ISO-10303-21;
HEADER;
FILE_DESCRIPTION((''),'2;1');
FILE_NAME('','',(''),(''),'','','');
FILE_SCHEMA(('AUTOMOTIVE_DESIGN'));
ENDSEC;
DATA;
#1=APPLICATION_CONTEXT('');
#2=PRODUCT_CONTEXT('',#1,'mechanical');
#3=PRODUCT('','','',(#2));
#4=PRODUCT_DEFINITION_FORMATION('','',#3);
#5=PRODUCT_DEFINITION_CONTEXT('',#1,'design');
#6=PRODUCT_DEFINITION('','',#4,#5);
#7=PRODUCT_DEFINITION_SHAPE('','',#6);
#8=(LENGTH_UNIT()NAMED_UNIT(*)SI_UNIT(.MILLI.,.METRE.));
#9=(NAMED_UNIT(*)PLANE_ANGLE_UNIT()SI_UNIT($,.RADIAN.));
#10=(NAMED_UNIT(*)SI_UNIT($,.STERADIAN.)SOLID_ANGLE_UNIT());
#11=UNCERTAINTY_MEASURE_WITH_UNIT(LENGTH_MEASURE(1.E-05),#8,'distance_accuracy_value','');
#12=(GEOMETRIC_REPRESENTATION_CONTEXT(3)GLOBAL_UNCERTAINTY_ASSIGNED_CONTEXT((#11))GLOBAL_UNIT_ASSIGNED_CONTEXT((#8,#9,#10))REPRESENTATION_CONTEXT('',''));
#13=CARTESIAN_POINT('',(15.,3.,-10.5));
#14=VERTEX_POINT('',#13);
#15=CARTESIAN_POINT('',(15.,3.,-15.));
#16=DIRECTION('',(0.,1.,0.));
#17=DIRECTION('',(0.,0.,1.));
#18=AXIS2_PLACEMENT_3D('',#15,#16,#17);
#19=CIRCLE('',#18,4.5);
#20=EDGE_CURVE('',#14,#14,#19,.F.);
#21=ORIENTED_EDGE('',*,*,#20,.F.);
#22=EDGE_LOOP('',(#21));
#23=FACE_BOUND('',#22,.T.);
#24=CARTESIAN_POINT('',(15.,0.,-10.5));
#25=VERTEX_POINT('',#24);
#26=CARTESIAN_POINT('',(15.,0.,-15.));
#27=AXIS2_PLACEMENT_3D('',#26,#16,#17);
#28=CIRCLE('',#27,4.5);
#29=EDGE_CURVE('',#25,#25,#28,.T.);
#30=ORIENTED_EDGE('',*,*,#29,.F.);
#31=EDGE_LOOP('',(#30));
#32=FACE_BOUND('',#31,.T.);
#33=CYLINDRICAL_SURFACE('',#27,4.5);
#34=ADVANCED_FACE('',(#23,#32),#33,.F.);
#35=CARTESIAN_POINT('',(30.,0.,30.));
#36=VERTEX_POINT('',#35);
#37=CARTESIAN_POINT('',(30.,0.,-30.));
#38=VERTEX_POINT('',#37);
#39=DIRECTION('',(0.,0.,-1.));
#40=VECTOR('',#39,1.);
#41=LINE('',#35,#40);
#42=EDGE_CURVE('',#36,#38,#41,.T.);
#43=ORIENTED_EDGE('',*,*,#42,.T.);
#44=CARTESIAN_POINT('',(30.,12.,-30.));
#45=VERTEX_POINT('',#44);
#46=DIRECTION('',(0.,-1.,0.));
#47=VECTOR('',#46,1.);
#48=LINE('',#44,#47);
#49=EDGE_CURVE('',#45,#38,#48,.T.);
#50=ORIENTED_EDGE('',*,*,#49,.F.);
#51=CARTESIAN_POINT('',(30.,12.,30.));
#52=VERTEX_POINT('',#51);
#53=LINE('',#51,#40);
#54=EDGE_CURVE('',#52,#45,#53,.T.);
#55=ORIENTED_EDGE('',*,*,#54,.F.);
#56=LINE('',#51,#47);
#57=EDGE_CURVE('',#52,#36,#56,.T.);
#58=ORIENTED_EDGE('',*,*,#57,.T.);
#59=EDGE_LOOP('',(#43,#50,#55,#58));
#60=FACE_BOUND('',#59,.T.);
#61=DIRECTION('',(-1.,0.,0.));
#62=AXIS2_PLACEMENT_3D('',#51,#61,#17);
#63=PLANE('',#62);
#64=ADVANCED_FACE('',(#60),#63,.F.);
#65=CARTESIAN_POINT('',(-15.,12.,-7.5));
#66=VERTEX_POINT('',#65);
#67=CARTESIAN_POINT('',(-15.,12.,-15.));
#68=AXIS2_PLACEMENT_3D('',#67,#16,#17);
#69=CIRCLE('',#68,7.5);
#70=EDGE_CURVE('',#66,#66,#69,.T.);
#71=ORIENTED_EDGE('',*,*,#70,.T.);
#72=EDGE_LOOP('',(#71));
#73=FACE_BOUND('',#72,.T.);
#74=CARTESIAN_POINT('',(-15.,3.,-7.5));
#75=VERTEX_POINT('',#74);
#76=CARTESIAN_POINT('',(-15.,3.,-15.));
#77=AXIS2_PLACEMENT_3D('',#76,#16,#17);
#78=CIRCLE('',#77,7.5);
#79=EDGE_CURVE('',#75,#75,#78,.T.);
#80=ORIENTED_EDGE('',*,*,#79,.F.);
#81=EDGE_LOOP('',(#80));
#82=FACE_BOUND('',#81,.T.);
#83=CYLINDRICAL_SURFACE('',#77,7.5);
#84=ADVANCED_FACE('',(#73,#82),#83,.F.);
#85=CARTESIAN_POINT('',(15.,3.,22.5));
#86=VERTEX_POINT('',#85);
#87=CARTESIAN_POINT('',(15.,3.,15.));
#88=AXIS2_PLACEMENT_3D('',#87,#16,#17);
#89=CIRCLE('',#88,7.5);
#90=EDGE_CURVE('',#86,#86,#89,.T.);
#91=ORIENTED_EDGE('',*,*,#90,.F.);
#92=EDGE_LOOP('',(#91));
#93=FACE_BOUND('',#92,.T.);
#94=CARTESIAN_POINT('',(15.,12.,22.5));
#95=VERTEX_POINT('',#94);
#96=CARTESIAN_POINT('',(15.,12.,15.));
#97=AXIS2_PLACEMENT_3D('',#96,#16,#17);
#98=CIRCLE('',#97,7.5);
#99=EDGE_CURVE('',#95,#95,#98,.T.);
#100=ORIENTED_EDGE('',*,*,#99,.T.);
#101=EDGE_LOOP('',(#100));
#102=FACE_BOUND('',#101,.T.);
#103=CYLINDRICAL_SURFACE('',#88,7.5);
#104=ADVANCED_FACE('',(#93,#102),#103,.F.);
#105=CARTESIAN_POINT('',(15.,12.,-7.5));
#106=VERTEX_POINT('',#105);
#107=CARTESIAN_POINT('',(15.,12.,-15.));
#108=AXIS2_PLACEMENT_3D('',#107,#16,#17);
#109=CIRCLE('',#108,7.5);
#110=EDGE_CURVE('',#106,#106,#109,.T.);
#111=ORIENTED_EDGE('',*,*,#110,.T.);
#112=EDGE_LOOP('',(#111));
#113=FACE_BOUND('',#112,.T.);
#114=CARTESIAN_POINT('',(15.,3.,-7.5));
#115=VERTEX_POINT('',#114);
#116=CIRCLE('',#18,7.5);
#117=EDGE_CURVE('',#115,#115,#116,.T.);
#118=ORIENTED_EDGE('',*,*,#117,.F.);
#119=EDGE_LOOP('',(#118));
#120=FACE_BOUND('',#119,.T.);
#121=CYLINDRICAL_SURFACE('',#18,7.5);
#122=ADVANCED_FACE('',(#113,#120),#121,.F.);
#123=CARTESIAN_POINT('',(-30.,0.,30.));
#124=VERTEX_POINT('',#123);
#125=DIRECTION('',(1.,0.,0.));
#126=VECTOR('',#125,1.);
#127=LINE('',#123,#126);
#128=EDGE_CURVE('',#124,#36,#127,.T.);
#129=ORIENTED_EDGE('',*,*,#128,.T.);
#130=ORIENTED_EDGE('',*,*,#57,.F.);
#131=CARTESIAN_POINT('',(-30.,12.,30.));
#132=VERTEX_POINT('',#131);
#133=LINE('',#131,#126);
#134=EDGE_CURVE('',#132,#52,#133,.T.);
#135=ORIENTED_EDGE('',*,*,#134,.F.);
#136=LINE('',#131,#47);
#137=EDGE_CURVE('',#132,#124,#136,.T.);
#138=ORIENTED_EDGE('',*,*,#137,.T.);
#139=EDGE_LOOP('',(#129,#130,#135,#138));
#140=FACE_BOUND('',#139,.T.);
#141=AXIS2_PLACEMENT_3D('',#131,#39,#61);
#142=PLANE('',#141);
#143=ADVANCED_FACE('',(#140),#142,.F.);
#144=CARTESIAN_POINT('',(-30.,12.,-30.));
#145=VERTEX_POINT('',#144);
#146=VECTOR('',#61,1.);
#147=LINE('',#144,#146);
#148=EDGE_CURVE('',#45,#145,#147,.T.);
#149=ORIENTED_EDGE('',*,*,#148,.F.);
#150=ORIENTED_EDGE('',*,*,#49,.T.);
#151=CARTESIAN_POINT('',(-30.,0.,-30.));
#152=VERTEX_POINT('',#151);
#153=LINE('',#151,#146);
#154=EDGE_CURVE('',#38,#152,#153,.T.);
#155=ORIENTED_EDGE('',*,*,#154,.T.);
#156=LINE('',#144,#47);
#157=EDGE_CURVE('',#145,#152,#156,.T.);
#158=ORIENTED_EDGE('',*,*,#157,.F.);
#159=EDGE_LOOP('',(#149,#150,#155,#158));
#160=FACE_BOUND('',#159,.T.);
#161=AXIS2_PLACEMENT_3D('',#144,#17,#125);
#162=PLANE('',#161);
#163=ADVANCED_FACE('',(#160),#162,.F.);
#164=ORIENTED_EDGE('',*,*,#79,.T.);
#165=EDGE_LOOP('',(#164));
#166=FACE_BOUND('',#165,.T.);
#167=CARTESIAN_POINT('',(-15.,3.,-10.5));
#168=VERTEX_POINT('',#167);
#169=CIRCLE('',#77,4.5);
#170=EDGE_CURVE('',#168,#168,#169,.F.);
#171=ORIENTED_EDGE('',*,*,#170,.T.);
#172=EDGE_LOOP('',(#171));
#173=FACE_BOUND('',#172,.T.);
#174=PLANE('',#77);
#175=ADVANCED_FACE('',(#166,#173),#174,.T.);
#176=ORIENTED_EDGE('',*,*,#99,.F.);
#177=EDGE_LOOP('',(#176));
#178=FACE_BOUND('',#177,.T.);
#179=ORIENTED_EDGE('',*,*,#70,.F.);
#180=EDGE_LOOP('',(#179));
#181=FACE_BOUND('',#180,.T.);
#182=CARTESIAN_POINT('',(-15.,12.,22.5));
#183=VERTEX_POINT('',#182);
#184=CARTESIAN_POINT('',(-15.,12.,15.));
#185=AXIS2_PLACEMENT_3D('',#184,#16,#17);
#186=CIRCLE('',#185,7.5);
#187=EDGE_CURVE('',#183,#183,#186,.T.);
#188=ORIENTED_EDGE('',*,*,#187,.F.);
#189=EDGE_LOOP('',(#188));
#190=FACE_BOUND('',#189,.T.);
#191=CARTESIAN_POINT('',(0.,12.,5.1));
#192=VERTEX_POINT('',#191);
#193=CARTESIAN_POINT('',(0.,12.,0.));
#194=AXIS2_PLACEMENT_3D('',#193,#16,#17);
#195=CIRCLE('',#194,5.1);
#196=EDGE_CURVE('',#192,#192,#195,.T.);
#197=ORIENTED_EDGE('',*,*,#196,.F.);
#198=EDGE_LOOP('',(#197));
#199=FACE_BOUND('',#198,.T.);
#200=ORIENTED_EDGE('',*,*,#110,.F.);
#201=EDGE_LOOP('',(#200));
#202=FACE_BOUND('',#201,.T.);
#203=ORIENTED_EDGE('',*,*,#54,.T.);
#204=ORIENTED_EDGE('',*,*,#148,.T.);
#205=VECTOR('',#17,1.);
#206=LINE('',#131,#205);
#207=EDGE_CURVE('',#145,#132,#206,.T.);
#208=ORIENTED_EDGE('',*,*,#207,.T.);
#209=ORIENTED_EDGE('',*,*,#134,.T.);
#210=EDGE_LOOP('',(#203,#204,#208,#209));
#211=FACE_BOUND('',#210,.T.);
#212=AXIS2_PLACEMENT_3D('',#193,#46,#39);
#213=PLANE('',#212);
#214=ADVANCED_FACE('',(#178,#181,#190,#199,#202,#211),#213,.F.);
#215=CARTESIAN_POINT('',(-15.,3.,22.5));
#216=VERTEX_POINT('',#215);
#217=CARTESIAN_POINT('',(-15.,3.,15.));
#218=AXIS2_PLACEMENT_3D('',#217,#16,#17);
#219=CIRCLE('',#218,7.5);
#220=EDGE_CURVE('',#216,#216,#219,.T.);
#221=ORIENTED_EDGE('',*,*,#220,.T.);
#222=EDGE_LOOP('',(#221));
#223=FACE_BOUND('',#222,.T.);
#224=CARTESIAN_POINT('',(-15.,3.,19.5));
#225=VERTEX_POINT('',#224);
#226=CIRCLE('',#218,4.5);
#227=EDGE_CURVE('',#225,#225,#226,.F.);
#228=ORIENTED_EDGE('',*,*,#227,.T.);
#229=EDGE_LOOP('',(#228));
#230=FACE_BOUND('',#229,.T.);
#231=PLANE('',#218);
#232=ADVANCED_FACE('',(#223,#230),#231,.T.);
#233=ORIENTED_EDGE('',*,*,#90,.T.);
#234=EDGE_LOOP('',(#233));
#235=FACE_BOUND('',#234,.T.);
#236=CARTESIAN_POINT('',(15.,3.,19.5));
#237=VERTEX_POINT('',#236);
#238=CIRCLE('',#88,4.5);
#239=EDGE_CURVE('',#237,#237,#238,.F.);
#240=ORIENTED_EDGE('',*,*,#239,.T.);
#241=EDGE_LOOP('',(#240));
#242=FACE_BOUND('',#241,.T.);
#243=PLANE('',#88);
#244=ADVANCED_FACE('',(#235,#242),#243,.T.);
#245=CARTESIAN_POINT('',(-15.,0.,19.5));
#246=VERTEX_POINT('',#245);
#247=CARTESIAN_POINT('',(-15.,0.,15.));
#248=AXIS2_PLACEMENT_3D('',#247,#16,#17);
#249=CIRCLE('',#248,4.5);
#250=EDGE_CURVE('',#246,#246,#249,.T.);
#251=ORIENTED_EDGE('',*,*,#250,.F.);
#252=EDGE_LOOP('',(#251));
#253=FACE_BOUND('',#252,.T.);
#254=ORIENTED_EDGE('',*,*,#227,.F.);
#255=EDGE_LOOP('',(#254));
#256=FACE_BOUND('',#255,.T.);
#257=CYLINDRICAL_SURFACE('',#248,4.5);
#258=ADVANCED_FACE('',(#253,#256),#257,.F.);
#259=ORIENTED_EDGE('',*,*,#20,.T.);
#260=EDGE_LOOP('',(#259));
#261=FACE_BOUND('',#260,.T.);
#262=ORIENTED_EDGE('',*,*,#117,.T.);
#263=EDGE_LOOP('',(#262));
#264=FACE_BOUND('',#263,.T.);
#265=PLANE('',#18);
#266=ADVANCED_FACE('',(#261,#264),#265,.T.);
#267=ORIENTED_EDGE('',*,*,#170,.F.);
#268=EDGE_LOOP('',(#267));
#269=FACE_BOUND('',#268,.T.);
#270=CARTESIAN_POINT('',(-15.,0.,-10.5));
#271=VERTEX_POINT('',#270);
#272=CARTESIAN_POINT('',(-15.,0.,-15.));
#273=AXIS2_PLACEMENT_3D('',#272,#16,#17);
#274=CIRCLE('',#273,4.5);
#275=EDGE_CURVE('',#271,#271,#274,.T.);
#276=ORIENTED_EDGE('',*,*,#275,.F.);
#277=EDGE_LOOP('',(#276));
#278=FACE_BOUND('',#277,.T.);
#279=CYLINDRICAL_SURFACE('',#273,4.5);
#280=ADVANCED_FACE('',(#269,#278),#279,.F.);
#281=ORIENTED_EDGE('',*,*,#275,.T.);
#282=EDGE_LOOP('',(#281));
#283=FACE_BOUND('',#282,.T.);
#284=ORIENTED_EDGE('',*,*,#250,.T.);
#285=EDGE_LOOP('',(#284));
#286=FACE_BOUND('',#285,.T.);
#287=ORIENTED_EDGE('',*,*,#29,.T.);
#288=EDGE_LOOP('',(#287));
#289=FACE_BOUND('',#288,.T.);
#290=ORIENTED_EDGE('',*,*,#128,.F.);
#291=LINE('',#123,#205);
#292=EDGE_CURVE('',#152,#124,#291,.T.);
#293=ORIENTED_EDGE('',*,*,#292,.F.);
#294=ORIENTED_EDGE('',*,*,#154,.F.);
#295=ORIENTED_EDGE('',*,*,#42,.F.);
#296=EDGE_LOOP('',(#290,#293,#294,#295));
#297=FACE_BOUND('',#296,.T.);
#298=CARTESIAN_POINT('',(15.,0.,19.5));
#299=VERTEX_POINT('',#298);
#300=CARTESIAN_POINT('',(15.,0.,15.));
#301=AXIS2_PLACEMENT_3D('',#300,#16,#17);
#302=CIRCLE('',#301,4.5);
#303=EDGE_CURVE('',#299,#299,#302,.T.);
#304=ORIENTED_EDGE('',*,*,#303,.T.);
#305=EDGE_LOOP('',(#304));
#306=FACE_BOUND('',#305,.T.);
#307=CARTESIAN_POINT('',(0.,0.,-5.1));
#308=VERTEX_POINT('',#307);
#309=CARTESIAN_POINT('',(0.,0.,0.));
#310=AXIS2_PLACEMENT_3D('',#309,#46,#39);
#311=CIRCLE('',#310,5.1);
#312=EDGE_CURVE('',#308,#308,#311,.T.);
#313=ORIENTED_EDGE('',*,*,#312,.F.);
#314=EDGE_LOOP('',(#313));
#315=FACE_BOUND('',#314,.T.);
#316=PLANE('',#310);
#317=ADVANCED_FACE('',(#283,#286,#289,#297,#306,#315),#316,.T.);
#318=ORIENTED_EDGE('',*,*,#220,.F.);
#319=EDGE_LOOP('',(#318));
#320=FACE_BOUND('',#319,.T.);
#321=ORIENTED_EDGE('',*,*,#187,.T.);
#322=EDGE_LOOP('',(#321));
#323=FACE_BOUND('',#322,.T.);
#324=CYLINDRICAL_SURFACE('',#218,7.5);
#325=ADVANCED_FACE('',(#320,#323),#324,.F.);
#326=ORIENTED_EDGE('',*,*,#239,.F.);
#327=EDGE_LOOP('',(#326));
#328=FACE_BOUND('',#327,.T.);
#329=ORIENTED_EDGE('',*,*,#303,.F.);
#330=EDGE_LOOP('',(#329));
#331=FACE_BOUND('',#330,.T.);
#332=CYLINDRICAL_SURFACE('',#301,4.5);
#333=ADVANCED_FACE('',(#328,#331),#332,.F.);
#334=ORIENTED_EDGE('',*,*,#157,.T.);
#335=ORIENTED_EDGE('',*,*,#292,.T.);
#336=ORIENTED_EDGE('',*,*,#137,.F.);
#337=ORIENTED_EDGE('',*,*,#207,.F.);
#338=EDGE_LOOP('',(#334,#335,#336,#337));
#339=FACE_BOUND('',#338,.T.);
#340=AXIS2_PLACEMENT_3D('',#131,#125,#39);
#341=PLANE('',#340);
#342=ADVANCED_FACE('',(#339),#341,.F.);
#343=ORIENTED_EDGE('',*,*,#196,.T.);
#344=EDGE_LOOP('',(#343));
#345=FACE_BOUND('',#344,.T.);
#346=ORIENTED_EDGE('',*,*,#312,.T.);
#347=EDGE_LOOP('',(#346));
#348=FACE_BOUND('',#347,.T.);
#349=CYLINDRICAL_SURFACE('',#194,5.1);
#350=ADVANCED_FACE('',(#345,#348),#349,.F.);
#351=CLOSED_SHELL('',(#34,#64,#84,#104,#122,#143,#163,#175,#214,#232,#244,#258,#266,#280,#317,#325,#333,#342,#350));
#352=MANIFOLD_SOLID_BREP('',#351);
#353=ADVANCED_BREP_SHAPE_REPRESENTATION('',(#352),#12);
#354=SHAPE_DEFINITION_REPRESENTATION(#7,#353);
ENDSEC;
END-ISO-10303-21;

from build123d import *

# Parameters (mm, degrees)
SKETCH_1_W             = 60
SKETCH_1_H             = 60
EXTRUDE_1_DEPTH        = 12
HOLE_WIZARD_M121_D     = 10.2
HOLE_WIZARD_M121_DEPTH = 12
SKETCH_12_R            = 4.5
CUT_EXTRUDE_1_DEPTH    = 13
SKETCH_13_R            = 7.5
CUT_EXTRUDE_2_DEPTH    = 9


with BuildPart() as part:
    # Эскиз1 → Бобышка-Вытянуть1 (new body)
    with BuildSketch(Plane(origin=(0, 0, 0), x_dir=(1, 0, 0), z_dir=(0, 1, 0))):
        Rectangle(SKETCH_1_W, SKETCH_1_H)
    extrude(amount=EXTRUDE_1_DEPTH)

    # Отверстие обработанное метчиком M121
    with Locations(Plane(origin=(0, 12, 0), x_dir=(1, 0, 0), z_dir=(0, 1, 0))):
        with Locations((0, 0)):
            Hole(HOLE_WIZARD_M121_D / 2, depth=HOLE_WIZARD_M121_DEPTH)

    # Эскиз12 → Вырез-Вытянуть1 (cut, through all)
    with BuildSketch(Plane(origin=(0, 12, 0), x_dir=(1, 0, 0), z_dir=(0, 1, 0))):
        with Locations(Location((-15, 15, 0), (0, 0, 270))):  # turned: the seam where the file's is
            Circle(SKETCH_12_R)
        with Locations(Location((15, 15, 0), (0, 0, 270))):  # turned: the seam where the file's is
            Circle(SKETCH_12_R)
        with Locations(Location((15, -15, 0), (0, 0, 270))):  # turned: the seam where the file's is
            Circle(SKETCH_12_R)
        with Locations(Location((-15, -15, 0), (0, 0, 270))):  # turned: the seam where the file's is
            Circle(SKETCH_12_R)
    extrude(amount=-CUT_EXTRUDE_1_DEPTH, mode=Mode.SUBTRACT)

    # Эскиз13 → Вырез-Вытянуть2 (cut)
    with BuildSketch(Plane(origin=(0, 12, 0), x_dir=(1, 0, 0), z_dir=(0, 1, 0))):
        with Locations(Location((-15, 15, 0), (0, 0, 270))):  # turned: the seam where the file's is
            Circle(SKETCH_13_R)
        with Locations(Location((15, 15, 0), (0, 0, 270))):  # turned: the seam where the file's is
            Circle(SKETCH_13_R)
        with Locations(Location((15, -15, 0), (0, 0, 270))):  # turned: the seam where the file's is
            Circle(SKETCH_13_R)
        with Locations(Location((-15, -15, 0), (0, 0, 270))):  # turned: the seam where the file's is
            Circle(SKETCH_13_R)
    extrude(amount=-CUT_EXTRUDE_2_DEPTH, mode=Mode.SUBTRACT)


solid = part.part
